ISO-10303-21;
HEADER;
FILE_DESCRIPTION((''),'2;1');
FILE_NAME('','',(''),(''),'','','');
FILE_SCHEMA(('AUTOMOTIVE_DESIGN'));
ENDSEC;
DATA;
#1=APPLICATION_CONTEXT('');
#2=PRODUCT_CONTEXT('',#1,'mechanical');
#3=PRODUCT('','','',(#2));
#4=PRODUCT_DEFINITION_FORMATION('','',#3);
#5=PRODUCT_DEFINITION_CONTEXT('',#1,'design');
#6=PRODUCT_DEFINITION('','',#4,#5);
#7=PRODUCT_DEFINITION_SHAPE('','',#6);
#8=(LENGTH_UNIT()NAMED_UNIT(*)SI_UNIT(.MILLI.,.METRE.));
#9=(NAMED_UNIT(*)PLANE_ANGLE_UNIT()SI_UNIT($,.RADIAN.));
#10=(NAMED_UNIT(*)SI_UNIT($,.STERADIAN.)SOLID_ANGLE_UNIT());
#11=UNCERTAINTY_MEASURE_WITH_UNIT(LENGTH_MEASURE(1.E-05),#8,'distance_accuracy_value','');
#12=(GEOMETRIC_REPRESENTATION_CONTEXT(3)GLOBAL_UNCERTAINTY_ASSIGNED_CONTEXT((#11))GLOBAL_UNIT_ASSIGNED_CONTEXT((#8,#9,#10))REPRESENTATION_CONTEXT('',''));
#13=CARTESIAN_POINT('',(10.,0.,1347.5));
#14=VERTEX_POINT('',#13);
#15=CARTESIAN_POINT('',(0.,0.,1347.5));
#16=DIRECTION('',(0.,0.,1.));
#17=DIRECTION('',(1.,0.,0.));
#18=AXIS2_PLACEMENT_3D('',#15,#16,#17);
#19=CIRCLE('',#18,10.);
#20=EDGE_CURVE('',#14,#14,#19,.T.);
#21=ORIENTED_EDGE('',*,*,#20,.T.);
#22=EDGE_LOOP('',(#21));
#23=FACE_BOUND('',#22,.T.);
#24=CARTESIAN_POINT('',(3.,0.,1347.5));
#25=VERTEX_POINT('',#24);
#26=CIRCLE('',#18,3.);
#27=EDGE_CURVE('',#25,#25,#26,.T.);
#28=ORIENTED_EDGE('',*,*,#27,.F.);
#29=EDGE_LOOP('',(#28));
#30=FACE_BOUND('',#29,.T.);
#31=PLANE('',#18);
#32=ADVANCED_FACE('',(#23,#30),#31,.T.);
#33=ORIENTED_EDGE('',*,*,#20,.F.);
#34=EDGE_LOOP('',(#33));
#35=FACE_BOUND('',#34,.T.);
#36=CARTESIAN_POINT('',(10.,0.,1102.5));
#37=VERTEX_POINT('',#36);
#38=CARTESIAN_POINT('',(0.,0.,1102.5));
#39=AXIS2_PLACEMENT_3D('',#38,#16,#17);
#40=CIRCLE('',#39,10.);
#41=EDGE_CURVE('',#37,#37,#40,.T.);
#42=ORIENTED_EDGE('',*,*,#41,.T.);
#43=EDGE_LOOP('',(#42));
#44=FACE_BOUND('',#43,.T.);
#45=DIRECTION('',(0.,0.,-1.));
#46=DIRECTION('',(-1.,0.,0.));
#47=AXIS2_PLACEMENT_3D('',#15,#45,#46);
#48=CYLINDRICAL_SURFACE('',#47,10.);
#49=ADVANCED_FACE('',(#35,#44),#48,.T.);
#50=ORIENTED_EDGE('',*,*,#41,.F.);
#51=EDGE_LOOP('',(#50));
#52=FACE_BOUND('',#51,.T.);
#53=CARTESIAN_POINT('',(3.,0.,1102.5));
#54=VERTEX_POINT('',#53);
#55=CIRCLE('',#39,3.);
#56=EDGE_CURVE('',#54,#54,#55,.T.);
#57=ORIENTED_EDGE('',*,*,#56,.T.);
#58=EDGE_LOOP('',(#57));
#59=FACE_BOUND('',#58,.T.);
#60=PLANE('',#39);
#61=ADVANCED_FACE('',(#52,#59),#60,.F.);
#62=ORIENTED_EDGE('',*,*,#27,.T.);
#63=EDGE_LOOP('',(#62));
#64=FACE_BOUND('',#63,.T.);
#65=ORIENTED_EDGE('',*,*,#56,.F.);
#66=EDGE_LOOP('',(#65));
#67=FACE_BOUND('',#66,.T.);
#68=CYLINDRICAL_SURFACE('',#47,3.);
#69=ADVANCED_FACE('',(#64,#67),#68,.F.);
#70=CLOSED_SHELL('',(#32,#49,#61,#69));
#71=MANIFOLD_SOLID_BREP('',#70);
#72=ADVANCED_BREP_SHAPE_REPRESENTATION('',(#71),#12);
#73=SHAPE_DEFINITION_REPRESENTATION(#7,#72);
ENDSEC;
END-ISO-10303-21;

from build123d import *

# Parameters (mm, degrees)
SKETCH2_R           = 100
SKETCH2_R_2         = 30
BOSS_EXTRUDE1_DEPTH = 2450
SCALE1_SCALE        = 0.1


with BuildPart() as part:
    # Sketch2 → Boss-Extrude1 (new body)
    with BuildSketch(Plane.XY):
        Circle(SKETCH2_R)
        Circle(SKETCH2_R_2, mode=Mode.SUBTRACT)
    extrude(amount=BOSS_EXTRUDE1_DEPTH)


with BuildPart() as part_1:
    # Scale1: scaled about (0, 0, 1225)
    add(part.part.scale(SCALE1_SCALE).moved(Location((0, 0, 1102.5))))


solid = part_1.part
